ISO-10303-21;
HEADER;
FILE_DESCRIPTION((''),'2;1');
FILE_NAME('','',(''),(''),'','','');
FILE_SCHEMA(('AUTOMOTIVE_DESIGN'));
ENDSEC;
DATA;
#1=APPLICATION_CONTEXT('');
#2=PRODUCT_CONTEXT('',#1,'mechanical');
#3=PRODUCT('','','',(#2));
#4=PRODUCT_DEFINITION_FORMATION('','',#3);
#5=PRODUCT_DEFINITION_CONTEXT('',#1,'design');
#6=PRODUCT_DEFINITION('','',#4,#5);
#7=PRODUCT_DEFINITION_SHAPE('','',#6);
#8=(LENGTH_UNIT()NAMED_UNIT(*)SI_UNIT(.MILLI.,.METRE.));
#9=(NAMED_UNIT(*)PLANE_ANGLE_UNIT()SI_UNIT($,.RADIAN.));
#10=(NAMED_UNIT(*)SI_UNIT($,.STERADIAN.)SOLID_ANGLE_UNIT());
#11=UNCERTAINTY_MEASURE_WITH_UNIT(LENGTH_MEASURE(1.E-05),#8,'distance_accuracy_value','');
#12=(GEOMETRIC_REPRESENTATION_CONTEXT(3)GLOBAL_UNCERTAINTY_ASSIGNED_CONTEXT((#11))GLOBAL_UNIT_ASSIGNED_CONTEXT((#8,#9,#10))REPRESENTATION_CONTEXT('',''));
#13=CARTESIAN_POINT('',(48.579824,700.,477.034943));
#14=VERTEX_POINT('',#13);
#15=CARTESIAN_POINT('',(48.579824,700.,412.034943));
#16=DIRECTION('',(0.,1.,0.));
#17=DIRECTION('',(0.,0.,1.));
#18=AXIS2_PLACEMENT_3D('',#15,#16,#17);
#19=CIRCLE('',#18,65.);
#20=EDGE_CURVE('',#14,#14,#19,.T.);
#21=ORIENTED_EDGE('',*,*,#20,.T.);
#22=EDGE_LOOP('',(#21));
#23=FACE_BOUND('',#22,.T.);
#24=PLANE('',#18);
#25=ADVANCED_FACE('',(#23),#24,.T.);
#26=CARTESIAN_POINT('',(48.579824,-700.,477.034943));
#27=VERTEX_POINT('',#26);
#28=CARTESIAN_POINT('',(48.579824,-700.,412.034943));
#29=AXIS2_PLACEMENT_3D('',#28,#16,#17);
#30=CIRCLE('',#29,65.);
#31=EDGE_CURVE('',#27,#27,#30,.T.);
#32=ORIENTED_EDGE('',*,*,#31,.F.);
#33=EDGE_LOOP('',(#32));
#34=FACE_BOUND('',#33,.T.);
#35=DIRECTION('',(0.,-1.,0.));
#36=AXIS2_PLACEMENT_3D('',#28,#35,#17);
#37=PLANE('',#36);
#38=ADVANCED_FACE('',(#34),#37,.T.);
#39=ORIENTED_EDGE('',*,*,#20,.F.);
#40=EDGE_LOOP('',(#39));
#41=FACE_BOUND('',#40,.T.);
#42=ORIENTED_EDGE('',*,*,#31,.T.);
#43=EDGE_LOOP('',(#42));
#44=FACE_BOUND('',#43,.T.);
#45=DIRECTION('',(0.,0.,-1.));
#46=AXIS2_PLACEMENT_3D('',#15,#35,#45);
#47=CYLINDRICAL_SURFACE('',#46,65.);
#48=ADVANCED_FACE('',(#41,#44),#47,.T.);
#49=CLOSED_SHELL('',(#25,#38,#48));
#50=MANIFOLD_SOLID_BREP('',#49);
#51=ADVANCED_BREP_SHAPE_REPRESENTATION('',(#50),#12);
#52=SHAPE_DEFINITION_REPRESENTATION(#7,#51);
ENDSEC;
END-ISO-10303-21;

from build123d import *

# Parameters (mm, degrees)
SCHIZZO1_R                   = 65
ESTRUSIONE_ESTRUSIONE1_DEPTH = 700


with BuildPart() as part:
    # Schizzo1 → Estrusione-Estrusione1 (new body)
    with BuildSketch(Plane(origin=(0, 0, 0), x_dir=(-1, 0, 0), z_dir=(0, 1, 0))):
        with Locations(Location((-48.579824052, 412.034943085, 0), (0, 0, 90))):
            Circle(SCHIZZO1_R)
    extrude(amount=ESTRUSIONE_ESTRUSIONE1_DEPTH)

    # Specchia1: part across plane


with BuildPart() as part_1:
    add(part.part)
    add(part.part.mirror(Plane.ZX))


solid = part_1.part
